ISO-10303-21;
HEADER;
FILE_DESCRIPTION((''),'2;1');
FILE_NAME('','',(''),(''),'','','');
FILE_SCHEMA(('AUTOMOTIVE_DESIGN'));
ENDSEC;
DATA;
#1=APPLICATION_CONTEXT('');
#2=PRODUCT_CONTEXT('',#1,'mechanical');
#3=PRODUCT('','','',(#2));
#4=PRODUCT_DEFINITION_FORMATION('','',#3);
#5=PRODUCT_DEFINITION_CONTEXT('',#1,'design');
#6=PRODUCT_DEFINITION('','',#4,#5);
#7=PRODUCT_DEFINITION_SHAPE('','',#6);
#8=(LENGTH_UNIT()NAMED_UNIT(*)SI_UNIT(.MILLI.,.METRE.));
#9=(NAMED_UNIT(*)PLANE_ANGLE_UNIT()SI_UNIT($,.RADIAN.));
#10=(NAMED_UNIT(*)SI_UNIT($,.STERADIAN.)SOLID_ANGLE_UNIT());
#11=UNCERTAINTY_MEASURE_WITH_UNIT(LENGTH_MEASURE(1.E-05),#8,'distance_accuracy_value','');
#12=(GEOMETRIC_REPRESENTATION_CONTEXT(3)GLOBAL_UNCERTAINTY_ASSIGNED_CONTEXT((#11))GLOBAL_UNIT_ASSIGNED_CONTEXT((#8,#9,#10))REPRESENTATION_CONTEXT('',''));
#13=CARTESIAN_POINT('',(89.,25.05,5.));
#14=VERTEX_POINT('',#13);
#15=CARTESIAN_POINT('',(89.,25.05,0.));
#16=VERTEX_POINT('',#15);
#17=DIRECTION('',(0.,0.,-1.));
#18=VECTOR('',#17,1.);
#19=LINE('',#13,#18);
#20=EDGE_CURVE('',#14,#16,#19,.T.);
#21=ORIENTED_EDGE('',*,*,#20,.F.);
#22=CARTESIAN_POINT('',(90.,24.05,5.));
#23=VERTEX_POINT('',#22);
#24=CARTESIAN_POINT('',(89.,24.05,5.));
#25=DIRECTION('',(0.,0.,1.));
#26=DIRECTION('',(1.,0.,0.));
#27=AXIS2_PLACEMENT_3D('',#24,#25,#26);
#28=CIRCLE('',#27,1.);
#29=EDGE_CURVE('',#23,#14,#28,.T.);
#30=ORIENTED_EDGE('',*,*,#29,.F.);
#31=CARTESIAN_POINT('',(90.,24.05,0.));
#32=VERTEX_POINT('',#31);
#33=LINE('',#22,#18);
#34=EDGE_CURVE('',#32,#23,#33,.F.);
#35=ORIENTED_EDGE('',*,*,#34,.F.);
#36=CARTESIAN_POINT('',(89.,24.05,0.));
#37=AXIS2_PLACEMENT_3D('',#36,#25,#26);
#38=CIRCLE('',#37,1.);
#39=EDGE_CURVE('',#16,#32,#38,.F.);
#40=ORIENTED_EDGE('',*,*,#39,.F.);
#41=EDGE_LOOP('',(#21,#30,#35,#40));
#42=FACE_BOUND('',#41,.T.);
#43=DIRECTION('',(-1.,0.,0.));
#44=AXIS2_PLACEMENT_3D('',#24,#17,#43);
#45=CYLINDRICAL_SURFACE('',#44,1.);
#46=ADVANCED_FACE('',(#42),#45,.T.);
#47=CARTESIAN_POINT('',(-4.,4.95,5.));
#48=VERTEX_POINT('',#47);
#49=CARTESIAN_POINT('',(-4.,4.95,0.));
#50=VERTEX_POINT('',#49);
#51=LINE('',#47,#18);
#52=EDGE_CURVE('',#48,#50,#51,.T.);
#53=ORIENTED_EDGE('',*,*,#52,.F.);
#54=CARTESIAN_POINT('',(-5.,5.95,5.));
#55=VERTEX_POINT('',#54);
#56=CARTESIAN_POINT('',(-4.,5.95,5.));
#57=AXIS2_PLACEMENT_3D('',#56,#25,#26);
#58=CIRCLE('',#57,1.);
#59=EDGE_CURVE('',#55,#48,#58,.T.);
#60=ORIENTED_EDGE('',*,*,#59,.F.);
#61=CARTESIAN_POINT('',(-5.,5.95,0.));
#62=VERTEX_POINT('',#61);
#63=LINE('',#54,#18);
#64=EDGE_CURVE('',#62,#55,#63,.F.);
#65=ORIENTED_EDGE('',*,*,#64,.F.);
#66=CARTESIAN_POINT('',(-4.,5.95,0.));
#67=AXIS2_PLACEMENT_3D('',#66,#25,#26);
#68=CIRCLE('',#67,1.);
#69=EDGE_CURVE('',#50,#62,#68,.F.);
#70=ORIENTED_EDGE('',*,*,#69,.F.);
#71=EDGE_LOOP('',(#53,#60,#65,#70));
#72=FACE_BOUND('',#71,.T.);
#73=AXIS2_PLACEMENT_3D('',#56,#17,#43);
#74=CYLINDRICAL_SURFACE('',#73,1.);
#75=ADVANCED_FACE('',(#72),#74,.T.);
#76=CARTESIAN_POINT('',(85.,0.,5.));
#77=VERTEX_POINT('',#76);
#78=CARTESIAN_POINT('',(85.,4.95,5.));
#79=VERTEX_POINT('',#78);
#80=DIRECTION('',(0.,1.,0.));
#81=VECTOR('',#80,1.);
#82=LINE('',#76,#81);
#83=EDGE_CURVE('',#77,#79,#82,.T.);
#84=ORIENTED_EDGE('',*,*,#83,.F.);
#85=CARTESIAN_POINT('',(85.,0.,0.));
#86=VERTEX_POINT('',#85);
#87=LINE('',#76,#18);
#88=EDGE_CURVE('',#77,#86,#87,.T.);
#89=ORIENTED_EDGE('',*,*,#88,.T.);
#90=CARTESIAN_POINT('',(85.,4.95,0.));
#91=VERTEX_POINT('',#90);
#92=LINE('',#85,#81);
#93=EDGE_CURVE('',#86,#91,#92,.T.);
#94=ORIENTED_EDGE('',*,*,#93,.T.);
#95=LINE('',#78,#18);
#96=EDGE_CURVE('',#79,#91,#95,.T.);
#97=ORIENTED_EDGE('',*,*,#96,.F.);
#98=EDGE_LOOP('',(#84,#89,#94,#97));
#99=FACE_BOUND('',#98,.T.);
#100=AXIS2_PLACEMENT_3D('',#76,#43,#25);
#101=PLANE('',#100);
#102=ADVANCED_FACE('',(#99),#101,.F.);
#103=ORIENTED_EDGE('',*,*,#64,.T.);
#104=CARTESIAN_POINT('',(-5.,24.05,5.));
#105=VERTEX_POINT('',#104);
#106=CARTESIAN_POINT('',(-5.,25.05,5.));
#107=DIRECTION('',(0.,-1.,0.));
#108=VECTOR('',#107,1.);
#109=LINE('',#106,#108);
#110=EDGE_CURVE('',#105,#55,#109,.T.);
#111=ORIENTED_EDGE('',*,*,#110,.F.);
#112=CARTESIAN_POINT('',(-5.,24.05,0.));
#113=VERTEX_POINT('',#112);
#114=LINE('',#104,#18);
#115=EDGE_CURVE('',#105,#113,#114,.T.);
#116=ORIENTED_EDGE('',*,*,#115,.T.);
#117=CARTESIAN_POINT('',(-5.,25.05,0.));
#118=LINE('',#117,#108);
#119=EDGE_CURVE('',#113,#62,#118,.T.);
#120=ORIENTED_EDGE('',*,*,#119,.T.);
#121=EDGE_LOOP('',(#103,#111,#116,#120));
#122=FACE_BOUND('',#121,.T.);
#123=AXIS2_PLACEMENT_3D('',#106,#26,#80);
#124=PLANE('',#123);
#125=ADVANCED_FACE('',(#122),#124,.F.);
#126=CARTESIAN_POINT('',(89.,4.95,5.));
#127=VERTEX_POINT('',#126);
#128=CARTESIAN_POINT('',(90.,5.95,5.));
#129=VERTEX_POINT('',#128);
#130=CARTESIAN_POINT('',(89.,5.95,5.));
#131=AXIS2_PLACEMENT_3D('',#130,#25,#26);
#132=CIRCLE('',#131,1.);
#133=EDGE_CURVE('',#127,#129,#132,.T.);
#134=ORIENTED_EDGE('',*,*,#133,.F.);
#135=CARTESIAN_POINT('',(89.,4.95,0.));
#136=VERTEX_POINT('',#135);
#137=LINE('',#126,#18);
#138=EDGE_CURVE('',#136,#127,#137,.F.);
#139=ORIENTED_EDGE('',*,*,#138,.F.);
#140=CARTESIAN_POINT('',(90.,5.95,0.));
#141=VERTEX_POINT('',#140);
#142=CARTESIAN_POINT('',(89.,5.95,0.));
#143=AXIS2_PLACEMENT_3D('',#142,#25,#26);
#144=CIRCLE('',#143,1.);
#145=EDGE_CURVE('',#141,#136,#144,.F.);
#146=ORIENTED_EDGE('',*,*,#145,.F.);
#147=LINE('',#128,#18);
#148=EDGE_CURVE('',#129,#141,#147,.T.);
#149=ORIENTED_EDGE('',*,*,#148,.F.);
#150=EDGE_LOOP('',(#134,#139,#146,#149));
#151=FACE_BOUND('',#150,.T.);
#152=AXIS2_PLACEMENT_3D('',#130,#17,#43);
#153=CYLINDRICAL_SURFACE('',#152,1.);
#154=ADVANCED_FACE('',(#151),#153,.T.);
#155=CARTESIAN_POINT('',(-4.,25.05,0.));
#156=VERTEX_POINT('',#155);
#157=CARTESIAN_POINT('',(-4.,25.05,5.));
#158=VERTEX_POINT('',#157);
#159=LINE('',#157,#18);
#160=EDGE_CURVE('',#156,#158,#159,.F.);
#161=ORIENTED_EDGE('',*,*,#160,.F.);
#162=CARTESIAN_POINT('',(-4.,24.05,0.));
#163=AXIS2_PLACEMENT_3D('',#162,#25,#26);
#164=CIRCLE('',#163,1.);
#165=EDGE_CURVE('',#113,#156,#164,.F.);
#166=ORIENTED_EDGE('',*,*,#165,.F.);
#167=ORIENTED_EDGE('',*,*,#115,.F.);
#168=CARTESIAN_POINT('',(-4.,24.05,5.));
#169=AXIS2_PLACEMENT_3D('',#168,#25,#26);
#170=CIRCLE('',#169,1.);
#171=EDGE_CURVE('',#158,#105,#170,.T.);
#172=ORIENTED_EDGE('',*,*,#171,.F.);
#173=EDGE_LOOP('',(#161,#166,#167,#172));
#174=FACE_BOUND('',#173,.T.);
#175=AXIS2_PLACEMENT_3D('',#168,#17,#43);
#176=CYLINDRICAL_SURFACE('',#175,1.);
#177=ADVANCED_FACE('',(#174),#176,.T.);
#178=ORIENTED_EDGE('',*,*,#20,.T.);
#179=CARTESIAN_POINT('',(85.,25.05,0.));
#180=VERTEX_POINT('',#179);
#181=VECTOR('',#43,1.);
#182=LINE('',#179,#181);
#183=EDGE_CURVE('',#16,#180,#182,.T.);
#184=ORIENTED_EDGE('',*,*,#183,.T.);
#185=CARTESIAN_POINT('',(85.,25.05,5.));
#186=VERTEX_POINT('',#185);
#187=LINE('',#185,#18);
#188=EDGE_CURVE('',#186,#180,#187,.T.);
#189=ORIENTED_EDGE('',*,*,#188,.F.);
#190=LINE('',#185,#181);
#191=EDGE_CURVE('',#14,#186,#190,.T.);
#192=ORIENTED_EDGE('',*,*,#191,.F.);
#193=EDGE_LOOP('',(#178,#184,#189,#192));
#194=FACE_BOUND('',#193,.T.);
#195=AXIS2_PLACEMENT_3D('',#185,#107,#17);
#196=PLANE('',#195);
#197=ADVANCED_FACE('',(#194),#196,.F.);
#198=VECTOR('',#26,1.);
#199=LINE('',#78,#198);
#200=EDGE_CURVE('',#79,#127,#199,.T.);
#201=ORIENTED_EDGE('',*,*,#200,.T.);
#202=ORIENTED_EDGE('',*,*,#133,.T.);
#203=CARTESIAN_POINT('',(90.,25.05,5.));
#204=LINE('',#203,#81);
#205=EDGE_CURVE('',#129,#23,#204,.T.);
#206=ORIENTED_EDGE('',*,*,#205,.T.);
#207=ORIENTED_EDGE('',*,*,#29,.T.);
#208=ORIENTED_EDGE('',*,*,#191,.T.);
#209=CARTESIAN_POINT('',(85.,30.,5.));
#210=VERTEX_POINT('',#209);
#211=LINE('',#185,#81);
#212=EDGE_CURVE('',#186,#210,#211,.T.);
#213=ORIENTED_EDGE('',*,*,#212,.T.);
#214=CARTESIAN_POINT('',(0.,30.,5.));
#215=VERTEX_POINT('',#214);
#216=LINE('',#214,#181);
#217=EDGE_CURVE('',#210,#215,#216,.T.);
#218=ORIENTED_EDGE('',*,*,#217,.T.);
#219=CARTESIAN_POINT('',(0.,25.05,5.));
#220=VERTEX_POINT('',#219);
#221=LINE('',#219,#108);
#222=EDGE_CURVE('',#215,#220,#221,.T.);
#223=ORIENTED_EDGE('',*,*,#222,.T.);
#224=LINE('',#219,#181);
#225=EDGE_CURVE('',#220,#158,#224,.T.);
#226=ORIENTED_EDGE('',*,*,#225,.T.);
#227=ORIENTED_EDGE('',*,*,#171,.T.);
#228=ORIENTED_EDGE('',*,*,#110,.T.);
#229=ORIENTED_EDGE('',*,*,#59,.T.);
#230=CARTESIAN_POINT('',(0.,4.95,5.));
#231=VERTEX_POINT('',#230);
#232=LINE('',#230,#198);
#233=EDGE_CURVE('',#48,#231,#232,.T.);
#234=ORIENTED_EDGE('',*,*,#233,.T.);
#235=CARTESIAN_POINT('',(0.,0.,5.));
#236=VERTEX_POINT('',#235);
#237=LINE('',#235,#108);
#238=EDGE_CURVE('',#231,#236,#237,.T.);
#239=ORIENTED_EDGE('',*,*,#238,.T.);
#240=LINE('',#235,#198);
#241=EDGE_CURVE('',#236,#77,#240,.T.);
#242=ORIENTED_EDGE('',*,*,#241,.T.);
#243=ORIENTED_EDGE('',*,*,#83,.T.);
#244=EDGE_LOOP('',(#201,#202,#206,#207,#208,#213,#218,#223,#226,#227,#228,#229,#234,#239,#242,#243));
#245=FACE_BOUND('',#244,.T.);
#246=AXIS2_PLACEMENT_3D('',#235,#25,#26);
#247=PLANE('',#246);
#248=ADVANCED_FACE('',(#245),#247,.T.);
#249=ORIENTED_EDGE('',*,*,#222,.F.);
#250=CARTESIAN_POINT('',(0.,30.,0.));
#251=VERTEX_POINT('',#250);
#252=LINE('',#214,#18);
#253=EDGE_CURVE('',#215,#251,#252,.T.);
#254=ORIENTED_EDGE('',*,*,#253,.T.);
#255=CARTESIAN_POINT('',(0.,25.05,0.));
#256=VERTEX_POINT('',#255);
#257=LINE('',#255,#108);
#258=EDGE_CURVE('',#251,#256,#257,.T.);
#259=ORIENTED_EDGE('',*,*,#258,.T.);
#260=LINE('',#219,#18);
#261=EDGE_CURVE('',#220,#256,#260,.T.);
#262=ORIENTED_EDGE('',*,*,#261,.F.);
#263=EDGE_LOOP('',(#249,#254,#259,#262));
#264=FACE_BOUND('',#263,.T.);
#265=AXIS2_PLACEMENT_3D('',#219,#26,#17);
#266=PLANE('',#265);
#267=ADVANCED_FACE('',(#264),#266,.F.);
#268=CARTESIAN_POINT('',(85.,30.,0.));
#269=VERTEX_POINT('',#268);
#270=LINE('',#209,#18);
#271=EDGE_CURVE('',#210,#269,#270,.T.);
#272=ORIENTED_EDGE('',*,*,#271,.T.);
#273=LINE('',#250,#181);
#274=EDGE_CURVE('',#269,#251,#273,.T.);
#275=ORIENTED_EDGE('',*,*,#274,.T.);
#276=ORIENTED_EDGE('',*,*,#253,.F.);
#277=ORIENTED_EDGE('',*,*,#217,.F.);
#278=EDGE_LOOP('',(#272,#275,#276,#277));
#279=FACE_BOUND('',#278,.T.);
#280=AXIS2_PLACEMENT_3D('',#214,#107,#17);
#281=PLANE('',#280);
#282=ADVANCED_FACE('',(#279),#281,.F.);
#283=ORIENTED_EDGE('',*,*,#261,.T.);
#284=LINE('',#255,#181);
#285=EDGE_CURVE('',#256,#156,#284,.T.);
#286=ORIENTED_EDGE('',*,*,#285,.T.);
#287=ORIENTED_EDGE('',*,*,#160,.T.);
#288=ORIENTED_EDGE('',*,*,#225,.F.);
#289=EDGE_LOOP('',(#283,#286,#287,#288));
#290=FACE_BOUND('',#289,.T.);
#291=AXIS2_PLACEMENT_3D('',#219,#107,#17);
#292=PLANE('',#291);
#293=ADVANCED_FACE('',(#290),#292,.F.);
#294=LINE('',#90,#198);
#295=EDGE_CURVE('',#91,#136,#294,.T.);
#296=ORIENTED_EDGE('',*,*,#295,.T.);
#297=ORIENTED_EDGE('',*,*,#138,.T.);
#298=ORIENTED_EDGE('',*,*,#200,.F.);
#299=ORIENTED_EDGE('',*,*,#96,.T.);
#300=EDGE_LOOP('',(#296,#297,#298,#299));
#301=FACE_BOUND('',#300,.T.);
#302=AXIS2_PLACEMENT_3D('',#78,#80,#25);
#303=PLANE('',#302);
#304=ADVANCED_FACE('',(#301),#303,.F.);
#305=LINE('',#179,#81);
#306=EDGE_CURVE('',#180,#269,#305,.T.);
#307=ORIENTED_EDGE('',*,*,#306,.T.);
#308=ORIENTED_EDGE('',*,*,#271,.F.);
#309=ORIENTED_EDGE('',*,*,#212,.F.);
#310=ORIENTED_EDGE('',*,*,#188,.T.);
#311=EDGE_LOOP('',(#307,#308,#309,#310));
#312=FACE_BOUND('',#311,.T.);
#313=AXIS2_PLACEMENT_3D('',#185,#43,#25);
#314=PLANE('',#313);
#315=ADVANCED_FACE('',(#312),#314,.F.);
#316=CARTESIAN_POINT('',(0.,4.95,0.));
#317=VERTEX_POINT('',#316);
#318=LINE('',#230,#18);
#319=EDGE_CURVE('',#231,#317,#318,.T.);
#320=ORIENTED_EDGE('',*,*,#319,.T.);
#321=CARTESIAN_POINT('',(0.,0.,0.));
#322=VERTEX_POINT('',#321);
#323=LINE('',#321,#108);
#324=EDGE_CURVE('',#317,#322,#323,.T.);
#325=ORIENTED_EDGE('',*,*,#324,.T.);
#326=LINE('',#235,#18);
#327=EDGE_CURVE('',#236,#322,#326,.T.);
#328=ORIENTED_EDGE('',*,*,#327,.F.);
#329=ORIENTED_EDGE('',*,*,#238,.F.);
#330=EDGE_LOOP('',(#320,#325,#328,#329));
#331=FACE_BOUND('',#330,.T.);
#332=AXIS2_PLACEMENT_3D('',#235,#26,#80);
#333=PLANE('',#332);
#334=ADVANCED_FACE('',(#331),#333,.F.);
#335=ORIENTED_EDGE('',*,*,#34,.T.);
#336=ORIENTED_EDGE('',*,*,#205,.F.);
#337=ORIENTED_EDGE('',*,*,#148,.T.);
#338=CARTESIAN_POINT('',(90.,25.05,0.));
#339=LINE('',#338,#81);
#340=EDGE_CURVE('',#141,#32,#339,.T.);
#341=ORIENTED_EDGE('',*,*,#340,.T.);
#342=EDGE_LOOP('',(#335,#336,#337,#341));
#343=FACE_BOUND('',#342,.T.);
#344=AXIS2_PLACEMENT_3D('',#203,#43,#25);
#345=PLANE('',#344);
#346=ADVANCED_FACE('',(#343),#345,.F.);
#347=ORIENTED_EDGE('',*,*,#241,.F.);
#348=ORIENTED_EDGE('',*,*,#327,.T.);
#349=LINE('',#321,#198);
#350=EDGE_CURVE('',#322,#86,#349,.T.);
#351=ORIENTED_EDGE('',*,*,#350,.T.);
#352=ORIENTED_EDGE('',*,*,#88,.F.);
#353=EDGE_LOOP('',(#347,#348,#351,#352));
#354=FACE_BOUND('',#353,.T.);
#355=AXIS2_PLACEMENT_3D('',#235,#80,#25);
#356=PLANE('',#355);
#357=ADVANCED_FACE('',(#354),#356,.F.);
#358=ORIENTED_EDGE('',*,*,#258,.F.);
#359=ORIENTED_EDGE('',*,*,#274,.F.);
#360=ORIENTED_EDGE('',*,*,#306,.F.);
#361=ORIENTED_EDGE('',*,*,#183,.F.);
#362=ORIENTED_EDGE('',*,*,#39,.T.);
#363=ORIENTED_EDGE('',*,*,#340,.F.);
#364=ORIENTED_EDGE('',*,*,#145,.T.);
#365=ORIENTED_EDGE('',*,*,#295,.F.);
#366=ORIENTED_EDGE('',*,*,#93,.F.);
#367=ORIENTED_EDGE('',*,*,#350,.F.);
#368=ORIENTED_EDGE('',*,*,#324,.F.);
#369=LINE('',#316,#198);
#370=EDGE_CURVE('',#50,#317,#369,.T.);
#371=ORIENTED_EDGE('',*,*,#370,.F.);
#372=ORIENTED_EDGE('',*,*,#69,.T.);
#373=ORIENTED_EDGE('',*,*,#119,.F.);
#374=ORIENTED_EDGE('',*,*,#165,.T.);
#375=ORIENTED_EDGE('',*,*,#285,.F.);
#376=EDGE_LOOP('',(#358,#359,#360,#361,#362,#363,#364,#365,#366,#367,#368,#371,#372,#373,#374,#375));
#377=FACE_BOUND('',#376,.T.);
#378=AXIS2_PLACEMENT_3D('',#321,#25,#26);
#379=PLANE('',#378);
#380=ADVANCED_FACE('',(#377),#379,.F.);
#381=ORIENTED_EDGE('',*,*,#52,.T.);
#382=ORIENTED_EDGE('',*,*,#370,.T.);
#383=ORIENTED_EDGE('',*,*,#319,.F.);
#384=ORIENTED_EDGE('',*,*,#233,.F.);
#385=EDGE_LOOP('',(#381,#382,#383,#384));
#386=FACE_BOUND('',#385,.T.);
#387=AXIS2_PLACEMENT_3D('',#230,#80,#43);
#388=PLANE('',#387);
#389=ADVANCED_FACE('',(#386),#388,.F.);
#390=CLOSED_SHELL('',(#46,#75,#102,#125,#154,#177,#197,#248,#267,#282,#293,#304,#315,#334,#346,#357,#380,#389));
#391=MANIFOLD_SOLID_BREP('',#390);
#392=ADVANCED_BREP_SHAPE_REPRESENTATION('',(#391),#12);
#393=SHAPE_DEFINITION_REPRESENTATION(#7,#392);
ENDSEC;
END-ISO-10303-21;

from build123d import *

# Parameters (mm, degrees)
BOSS_EXTRUDE1_DEPTH = 5
FILLET1_R           = 1


with BuildPart() as part:
    # Sketch1 → Boss-Extrude1 (new body)
    with BuildSketch(Plane.XY):
        Polygon((85, 25.05), (85, 30), (0, 30), (0, 25.05), (-5, 25.05), (-5, 4.95), (0, 4.95), (0, 0), (85, 0), (85, 4.95), (90, 4.95), (90, 25.05), align=None)
    extrude(amount=BOSS_EXTRUDE1_DEPTH)

    # Fillet1
    fillet1_edges = [part.edges().sort_by_distance(p)[0] for p in [
        (-5, 4.95, 2.5),
        (-5, 25.05, 2.5),
        (90, 25.05, 2.5),
        (90, 4.95, 2.5),
    ]]
    fillet(fillet1_edges, radius=FILLET1_R)


solid = part.part
